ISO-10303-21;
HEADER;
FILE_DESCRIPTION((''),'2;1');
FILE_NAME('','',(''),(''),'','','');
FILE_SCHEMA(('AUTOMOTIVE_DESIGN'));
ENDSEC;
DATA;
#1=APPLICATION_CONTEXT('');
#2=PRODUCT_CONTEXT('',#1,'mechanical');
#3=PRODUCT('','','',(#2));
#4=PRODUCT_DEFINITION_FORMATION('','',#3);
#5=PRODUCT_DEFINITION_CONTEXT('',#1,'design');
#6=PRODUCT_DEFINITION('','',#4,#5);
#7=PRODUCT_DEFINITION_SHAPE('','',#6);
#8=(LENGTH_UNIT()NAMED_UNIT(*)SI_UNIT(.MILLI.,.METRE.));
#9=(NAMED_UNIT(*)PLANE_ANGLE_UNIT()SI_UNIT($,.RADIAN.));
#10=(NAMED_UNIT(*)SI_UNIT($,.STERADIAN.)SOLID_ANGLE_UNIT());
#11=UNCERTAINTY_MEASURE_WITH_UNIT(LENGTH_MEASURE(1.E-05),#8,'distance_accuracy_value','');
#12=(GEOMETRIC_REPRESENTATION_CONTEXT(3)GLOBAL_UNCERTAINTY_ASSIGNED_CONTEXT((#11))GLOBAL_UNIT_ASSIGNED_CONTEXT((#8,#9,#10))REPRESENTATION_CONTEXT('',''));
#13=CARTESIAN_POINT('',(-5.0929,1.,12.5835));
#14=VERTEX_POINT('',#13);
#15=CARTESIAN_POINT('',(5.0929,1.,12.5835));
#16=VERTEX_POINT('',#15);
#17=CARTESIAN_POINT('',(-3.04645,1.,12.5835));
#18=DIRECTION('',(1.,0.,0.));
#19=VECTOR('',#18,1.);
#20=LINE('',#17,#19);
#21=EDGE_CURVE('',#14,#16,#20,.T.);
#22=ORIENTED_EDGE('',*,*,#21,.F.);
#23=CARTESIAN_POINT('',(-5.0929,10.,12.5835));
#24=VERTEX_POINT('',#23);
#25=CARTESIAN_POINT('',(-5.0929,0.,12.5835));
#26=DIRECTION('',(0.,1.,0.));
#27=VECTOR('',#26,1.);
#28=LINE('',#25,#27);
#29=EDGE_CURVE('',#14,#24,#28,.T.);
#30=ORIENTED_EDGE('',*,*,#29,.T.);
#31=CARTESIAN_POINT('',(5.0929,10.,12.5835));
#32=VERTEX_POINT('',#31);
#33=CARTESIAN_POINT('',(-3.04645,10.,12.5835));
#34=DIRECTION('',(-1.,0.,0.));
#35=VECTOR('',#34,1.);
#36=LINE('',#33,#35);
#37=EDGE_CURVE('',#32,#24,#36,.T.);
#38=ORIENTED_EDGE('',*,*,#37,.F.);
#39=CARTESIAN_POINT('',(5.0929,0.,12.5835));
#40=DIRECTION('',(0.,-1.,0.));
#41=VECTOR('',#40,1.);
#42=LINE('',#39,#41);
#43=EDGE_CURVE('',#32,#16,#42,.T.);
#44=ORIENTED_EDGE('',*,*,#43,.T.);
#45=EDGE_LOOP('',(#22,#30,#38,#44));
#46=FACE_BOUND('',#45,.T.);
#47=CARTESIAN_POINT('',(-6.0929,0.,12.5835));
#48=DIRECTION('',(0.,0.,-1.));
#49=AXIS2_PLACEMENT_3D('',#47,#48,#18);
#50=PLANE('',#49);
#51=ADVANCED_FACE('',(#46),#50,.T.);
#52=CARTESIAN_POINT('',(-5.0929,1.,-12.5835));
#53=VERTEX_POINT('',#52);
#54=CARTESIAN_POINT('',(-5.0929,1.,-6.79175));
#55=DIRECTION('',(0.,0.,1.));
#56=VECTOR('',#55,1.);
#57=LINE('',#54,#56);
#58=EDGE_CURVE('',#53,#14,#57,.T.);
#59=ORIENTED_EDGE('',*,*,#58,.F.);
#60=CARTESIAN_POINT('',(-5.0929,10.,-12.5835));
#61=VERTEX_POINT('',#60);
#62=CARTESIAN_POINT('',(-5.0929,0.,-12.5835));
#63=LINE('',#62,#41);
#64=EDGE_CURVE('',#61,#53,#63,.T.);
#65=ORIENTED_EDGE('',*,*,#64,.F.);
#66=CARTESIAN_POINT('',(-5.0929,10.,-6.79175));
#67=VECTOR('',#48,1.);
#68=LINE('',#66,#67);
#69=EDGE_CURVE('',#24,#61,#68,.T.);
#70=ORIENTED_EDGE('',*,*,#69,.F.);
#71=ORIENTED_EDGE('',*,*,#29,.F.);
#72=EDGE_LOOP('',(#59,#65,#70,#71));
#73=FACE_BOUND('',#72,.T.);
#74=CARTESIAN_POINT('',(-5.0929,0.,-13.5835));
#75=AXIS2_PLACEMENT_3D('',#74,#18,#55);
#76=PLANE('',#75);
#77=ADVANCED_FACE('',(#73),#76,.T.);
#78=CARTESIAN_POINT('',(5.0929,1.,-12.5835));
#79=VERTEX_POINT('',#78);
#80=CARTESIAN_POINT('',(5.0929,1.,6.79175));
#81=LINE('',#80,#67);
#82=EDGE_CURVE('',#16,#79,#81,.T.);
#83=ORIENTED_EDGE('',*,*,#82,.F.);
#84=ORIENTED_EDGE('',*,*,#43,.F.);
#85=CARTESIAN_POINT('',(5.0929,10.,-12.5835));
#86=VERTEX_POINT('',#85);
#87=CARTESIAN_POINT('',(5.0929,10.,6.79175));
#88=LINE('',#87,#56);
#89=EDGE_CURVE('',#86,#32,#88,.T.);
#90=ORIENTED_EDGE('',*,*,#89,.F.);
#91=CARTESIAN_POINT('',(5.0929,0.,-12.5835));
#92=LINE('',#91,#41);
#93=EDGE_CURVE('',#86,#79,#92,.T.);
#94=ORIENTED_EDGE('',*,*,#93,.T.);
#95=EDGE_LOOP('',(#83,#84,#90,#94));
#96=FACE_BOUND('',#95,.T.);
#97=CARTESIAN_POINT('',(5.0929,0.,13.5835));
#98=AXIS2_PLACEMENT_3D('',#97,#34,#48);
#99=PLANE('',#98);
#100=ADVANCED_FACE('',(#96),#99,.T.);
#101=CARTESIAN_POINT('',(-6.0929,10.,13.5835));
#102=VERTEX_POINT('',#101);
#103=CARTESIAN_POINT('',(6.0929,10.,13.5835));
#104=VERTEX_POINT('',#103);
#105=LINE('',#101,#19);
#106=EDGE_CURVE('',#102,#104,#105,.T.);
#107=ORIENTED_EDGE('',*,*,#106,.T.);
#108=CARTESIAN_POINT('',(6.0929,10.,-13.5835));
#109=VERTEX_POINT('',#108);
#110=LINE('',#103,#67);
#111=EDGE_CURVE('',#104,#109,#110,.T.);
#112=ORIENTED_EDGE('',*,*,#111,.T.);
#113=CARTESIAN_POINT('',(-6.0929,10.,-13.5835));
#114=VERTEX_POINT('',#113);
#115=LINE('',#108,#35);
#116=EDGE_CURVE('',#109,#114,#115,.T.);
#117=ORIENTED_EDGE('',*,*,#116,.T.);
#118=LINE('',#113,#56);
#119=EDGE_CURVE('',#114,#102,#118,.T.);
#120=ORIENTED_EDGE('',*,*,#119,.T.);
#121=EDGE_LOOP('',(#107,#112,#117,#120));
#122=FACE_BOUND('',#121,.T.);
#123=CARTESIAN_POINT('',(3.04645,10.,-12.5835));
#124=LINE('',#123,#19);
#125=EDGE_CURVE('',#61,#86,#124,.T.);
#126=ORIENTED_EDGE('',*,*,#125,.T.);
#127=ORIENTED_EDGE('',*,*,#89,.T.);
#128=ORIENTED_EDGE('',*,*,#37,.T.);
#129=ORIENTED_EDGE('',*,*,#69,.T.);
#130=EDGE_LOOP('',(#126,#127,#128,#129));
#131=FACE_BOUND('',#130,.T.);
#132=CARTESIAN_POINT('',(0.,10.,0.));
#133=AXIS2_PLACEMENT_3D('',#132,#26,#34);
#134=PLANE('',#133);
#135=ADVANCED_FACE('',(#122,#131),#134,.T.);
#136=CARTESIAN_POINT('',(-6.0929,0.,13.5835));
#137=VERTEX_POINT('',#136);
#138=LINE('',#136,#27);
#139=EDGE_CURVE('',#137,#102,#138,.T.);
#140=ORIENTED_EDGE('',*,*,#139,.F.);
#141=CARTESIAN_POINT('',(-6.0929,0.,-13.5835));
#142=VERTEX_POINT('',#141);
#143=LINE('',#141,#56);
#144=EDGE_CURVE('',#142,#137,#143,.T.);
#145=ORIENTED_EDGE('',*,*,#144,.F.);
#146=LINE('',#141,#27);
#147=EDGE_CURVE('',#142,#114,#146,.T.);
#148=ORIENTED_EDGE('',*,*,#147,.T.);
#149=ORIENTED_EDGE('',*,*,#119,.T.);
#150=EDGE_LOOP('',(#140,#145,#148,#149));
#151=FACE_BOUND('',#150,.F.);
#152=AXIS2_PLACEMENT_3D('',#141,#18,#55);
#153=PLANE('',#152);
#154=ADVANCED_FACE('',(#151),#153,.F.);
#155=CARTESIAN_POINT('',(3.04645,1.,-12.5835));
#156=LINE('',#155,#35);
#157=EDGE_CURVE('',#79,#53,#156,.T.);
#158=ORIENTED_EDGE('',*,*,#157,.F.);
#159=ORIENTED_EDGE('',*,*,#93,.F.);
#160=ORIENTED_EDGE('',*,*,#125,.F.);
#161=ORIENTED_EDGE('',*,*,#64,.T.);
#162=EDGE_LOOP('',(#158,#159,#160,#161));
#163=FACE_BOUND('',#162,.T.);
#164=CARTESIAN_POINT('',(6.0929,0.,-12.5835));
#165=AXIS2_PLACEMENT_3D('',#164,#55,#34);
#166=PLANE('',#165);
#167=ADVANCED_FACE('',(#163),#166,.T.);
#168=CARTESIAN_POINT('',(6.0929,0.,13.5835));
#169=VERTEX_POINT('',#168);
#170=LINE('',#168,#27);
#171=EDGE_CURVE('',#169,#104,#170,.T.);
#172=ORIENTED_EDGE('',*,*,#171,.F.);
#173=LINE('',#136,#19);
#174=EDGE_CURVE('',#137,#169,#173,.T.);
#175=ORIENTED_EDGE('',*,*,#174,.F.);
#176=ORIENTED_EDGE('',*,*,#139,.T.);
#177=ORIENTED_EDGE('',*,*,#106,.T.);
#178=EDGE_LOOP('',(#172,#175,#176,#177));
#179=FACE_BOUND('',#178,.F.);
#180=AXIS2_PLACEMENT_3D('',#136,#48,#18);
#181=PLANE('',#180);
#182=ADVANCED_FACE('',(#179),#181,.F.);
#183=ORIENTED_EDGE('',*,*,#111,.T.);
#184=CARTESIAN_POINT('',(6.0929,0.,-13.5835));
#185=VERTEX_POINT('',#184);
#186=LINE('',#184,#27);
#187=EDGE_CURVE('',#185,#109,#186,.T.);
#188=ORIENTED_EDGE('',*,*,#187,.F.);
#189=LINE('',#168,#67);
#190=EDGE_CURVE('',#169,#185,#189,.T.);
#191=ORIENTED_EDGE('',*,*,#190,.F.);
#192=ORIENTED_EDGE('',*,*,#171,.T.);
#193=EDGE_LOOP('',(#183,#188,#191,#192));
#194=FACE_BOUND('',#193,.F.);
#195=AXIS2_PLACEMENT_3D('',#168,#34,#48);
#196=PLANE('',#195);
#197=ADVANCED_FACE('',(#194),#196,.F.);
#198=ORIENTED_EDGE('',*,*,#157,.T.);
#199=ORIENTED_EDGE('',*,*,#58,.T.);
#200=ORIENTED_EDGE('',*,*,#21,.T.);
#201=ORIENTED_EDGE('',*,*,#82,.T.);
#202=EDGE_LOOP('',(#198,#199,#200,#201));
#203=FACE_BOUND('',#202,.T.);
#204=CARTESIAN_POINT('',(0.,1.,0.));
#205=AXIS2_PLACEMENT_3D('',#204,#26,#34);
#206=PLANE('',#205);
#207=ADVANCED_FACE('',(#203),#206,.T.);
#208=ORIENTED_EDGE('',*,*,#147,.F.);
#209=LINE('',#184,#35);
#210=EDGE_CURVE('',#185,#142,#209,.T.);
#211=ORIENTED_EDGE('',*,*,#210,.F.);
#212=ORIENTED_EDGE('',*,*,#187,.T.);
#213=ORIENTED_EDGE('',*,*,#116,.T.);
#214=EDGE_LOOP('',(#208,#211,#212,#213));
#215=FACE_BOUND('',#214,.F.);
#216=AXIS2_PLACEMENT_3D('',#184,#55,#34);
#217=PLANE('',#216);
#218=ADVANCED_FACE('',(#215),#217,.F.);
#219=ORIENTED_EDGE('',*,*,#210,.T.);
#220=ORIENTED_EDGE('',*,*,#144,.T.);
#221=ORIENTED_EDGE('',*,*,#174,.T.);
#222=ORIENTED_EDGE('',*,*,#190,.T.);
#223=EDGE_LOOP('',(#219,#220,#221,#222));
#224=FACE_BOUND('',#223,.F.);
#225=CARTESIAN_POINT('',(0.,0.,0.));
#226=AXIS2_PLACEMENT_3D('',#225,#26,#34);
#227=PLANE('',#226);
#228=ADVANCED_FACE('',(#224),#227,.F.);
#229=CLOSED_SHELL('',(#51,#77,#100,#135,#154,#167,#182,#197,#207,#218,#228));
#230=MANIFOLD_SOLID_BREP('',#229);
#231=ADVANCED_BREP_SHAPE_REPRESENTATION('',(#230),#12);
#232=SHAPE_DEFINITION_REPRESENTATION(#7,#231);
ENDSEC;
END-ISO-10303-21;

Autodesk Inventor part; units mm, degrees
ref_plane "YZ Plane" through (0, 0, 0) normal (1, 0, 0) x (0, 1, 0)
ref_plane "XZ Plane" through (0, 0, 0) normal (0, 1, 0) x (-1, 0, 0)
ref_plane "XY Plane" through (0, 0, 0) normal (0, 0, 1) x (1, 0, 0)
sketch "Sketch1" plane through (0, 0, 0) normal (0, 1, 0) x (-1, 0, 0)
  line L0 (6.0929, 13.5835) -> (-6.0929, 13.5835)
  line L1 (-6.0929, 13.5835) -> (-6.0929, -13.5835)
  line L2 (-6.0929, -13.5835) -> (6.0929, -13.5835)
  line L3 (6.0929, -13.5835) -> (6.0929, 13.5835)
  line L4 (6.0929, 13.5835) -> (-6.0929, -13.5835) construction
  line L5 (-6.0929, 13.5835) -> (6.0929, -13.5835) construction
  point P0 (0, 0)
extrude "Extrusion1" add sketch "Sketch1" along normal blind 10
shell "Shell1" thickness 1 removed faces 1 at (2.031, 10, -4.5278)
equation "\"BendRadius\" = Thickness"
equation "\"BendReliefWidth\" = Thickness"
equation "\"BendReliefDepth\" = 0.5 * Thickness"
equation "\"CornerReliefSize\" = 4 * Thickness"
equation "\"MinimumRemnant\" = 2 * Thickness"
equation "\"TransitionRadius\" = BendRadius"
equation "\"JacobiRadiusSize\" = BendRadius"
equation "\"GapSize\" = Thickness"
equation "\"Thickness\" = 1"
properties part number "Stress analysis" material "Aluminum 6061-AHC"
